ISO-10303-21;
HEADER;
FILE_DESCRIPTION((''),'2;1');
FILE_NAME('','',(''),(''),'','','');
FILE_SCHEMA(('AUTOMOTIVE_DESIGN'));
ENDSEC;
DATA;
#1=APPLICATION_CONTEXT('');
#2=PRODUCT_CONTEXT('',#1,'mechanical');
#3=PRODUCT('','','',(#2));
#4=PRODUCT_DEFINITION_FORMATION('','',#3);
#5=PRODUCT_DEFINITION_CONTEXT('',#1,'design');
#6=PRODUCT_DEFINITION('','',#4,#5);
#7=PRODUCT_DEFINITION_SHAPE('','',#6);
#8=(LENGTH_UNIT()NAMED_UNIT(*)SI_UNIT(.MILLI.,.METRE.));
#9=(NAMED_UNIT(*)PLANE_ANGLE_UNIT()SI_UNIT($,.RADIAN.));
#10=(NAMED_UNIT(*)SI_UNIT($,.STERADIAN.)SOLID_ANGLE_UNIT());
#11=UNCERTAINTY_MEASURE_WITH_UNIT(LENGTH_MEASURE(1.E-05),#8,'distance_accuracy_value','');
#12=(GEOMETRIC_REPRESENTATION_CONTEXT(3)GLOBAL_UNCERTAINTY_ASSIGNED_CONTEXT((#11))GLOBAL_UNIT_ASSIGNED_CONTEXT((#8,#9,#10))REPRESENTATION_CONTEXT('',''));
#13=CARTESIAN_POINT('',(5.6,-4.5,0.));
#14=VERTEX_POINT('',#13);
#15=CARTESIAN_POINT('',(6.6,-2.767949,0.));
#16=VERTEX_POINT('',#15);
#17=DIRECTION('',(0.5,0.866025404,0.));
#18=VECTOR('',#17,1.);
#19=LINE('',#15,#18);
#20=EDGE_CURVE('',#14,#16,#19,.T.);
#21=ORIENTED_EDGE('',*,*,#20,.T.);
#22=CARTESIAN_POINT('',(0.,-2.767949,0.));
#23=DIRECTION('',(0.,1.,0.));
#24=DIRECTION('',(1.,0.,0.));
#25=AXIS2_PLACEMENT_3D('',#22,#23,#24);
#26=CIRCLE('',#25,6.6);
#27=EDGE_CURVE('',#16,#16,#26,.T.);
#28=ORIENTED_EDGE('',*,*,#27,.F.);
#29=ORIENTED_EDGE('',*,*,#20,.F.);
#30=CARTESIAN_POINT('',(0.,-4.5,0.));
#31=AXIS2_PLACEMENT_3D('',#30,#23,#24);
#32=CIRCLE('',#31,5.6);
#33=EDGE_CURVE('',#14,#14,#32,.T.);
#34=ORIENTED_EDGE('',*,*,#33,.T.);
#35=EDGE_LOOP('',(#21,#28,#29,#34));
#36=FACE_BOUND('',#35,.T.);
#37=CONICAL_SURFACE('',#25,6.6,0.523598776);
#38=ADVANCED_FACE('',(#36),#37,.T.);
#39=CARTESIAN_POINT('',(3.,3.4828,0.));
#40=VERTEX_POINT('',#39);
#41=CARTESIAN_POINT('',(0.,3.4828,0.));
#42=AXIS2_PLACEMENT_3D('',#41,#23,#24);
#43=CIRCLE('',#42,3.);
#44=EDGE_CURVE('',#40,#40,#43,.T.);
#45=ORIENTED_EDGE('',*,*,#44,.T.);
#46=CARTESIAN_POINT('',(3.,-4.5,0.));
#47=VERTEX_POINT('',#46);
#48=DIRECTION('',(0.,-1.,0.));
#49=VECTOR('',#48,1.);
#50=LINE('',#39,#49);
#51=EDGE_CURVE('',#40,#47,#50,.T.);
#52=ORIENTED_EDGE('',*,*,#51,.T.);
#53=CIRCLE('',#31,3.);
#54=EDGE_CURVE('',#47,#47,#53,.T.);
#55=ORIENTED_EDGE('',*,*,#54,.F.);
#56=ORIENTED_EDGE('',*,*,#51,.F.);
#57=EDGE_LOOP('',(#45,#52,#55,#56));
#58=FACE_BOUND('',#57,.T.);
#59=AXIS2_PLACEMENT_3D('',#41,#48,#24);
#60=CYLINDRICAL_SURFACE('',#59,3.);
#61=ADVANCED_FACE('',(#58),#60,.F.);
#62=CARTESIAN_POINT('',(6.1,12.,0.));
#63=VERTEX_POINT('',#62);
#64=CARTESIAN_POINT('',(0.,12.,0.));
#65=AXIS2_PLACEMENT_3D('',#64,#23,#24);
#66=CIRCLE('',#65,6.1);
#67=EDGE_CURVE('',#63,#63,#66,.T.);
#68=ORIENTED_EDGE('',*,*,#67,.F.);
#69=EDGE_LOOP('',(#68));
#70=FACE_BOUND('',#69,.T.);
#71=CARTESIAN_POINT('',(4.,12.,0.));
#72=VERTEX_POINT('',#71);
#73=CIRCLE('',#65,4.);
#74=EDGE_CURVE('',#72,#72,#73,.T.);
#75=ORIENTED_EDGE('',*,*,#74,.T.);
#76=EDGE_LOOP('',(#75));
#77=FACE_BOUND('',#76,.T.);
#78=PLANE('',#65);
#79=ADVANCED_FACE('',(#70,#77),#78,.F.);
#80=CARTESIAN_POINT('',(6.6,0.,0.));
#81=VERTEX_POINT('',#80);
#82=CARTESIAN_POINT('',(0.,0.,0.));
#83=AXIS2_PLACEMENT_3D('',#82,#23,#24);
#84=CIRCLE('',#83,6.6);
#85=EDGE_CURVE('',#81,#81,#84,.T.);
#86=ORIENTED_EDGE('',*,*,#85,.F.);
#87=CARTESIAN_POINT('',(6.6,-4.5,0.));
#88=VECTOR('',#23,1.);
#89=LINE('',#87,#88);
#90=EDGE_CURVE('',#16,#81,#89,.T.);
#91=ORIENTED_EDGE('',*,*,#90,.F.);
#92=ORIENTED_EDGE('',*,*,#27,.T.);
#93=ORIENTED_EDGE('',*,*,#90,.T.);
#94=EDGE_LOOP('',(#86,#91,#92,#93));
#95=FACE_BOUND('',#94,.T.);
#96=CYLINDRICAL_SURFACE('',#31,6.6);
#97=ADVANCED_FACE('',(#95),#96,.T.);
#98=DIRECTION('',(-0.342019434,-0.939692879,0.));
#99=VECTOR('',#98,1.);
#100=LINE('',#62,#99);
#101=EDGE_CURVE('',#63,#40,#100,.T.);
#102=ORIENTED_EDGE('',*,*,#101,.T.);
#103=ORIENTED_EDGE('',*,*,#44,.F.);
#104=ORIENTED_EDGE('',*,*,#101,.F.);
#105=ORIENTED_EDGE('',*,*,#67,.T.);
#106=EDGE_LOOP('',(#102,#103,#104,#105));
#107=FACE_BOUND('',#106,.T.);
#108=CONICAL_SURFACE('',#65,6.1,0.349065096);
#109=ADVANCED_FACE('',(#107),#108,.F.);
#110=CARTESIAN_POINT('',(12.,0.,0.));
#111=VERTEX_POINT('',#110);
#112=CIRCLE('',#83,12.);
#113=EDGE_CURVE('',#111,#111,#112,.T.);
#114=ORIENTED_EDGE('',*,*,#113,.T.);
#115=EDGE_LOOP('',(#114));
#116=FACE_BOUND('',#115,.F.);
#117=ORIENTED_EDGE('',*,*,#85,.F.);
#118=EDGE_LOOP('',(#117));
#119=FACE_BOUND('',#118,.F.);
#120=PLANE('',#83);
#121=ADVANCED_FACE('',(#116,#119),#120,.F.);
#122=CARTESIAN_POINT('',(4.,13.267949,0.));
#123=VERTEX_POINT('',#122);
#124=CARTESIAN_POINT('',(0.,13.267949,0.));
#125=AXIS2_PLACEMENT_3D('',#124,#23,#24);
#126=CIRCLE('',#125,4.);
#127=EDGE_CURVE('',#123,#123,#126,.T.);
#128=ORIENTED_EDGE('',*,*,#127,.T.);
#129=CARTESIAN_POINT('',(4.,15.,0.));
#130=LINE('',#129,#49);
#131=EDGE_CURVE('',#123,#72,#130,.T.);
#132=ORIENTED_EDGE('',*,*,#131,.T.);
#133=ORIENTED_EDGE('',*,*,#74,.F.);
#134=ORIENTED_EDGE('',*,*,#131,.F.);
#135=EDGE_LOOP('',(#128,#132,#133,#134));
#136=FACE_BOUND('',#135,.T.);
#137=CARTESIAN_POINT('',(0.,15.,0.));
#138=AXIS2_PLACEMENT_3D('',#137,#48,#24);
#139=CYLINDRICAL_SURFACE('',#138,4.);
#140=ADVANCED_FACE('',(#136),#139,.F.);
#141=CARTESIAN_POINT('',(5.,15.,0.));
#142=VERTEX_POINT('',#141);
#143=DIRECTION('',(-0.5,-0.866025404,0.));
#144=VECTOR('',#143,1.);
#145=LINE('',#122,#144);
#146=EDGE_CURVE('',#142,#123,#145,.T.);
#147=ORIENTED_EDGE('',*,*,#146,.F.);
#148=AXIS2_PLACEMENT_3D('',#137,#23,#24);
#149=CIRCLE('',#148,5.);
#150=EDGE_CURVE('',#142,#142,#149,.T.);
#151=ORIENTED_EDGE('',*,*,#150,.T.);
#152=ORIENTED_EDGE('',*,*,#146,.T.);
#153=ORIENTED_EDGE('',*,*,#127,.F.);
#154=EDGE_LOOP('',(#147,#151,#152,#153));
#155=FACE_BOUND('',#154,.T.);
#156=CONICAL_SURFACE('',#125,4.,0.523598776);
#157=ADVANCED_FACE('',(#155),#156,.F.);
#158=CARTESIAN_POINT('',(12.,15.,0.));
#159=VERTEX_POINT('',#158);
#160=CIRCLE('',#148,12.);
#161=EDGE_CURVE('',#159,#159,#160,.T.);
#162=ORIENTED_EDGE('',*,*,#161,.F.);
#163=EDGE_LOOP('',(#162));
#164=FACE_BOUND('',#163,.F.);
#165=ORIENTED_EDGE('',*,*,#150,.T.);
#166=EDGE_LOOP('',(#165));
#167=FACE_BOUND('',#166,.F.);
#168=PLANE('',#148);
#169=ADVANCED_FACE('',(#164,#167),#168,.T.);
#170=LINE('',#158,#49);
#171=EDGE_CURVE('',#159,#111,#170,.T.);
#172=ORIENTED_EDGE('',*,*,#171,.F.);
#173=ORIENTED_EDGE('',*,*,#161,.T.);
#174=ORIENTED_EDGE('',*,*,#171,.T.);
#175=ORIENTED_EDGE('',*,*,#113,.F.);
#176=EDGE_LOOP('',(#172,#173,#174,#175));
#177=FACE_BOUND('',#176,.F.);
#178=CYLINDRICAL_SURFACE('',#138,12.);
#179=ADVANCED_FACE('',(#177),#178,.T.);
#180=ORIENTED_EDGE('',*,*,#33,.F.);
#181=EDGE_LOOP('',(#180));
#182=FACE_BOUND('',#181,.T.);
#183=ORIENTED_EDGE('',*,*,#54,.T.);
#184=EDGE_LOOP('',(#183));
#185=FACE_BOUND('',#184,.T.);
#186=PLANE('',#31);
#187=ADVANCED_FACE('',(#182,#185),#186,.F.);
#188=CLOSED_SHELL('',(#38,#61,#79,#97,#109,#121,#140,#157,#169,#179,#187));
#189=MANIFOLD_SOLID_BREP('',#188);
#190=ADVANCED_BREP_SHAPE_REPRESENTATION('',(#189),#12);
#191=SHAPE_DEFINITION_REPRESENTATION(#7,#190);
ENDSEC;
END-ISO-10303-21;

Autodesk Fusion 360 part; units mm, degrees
sketch "Sketch2" plane through (0, 0, 0) normal (0, 0, 1) x (1, 0, 0)
  line L0 (12, 15) -> (12, 0)
  line L1 (12, 0) -> (6.6, 0)
  line L2 (0, 0) -> (0, 15) construction
  line L3 (0, 15) -> (4, 15) construction
  line L4 (4, 15) -> (12, 15)
  line L5 (0, 0) -> (0, -4.5) construction
  line L6 (3, -4.5) -> (6.6, -4.5)
  line L7 (6.6, -4.5) -> (6.6, 0)
  line L8 (6.6, 0) -> (0, 0) construction
  line L9 (4, 15) -> (4, 12)
  line L10 (4, 12) -> (6.1, 12)
  line L11 (6.1, 12) -> (3, 3.4828)
  line L12 (3, 3.4828) -> (3, -4.5)
  line L13 (0, -4.5) -> (3, -4.5) construction
  dimension "d15" = 12
  dimension "d17" = 15
  dimension "d18" = 6.6
  dimension "d19" = 4
  dimension "d20" = 3
  dimension "d21" = 6.1
  dimension "d22" = 70
  dimension "d23" = 3
  dimension "d24" = 4.5
revolve "Revolve1" add sketch "Sketch2" angle 360 about axis through (0, 0, 0) along (0, 1, 0)
chamfer "Chamfer1" distance 1 angle 60 2 edges at (-3.7293, 15, -1.4465) (-6.1534, -4.5, -2.3867) measured on face at (9.2887, 15, 0.5962) measured on face at (5.3754, -4.5, 0.3279)
